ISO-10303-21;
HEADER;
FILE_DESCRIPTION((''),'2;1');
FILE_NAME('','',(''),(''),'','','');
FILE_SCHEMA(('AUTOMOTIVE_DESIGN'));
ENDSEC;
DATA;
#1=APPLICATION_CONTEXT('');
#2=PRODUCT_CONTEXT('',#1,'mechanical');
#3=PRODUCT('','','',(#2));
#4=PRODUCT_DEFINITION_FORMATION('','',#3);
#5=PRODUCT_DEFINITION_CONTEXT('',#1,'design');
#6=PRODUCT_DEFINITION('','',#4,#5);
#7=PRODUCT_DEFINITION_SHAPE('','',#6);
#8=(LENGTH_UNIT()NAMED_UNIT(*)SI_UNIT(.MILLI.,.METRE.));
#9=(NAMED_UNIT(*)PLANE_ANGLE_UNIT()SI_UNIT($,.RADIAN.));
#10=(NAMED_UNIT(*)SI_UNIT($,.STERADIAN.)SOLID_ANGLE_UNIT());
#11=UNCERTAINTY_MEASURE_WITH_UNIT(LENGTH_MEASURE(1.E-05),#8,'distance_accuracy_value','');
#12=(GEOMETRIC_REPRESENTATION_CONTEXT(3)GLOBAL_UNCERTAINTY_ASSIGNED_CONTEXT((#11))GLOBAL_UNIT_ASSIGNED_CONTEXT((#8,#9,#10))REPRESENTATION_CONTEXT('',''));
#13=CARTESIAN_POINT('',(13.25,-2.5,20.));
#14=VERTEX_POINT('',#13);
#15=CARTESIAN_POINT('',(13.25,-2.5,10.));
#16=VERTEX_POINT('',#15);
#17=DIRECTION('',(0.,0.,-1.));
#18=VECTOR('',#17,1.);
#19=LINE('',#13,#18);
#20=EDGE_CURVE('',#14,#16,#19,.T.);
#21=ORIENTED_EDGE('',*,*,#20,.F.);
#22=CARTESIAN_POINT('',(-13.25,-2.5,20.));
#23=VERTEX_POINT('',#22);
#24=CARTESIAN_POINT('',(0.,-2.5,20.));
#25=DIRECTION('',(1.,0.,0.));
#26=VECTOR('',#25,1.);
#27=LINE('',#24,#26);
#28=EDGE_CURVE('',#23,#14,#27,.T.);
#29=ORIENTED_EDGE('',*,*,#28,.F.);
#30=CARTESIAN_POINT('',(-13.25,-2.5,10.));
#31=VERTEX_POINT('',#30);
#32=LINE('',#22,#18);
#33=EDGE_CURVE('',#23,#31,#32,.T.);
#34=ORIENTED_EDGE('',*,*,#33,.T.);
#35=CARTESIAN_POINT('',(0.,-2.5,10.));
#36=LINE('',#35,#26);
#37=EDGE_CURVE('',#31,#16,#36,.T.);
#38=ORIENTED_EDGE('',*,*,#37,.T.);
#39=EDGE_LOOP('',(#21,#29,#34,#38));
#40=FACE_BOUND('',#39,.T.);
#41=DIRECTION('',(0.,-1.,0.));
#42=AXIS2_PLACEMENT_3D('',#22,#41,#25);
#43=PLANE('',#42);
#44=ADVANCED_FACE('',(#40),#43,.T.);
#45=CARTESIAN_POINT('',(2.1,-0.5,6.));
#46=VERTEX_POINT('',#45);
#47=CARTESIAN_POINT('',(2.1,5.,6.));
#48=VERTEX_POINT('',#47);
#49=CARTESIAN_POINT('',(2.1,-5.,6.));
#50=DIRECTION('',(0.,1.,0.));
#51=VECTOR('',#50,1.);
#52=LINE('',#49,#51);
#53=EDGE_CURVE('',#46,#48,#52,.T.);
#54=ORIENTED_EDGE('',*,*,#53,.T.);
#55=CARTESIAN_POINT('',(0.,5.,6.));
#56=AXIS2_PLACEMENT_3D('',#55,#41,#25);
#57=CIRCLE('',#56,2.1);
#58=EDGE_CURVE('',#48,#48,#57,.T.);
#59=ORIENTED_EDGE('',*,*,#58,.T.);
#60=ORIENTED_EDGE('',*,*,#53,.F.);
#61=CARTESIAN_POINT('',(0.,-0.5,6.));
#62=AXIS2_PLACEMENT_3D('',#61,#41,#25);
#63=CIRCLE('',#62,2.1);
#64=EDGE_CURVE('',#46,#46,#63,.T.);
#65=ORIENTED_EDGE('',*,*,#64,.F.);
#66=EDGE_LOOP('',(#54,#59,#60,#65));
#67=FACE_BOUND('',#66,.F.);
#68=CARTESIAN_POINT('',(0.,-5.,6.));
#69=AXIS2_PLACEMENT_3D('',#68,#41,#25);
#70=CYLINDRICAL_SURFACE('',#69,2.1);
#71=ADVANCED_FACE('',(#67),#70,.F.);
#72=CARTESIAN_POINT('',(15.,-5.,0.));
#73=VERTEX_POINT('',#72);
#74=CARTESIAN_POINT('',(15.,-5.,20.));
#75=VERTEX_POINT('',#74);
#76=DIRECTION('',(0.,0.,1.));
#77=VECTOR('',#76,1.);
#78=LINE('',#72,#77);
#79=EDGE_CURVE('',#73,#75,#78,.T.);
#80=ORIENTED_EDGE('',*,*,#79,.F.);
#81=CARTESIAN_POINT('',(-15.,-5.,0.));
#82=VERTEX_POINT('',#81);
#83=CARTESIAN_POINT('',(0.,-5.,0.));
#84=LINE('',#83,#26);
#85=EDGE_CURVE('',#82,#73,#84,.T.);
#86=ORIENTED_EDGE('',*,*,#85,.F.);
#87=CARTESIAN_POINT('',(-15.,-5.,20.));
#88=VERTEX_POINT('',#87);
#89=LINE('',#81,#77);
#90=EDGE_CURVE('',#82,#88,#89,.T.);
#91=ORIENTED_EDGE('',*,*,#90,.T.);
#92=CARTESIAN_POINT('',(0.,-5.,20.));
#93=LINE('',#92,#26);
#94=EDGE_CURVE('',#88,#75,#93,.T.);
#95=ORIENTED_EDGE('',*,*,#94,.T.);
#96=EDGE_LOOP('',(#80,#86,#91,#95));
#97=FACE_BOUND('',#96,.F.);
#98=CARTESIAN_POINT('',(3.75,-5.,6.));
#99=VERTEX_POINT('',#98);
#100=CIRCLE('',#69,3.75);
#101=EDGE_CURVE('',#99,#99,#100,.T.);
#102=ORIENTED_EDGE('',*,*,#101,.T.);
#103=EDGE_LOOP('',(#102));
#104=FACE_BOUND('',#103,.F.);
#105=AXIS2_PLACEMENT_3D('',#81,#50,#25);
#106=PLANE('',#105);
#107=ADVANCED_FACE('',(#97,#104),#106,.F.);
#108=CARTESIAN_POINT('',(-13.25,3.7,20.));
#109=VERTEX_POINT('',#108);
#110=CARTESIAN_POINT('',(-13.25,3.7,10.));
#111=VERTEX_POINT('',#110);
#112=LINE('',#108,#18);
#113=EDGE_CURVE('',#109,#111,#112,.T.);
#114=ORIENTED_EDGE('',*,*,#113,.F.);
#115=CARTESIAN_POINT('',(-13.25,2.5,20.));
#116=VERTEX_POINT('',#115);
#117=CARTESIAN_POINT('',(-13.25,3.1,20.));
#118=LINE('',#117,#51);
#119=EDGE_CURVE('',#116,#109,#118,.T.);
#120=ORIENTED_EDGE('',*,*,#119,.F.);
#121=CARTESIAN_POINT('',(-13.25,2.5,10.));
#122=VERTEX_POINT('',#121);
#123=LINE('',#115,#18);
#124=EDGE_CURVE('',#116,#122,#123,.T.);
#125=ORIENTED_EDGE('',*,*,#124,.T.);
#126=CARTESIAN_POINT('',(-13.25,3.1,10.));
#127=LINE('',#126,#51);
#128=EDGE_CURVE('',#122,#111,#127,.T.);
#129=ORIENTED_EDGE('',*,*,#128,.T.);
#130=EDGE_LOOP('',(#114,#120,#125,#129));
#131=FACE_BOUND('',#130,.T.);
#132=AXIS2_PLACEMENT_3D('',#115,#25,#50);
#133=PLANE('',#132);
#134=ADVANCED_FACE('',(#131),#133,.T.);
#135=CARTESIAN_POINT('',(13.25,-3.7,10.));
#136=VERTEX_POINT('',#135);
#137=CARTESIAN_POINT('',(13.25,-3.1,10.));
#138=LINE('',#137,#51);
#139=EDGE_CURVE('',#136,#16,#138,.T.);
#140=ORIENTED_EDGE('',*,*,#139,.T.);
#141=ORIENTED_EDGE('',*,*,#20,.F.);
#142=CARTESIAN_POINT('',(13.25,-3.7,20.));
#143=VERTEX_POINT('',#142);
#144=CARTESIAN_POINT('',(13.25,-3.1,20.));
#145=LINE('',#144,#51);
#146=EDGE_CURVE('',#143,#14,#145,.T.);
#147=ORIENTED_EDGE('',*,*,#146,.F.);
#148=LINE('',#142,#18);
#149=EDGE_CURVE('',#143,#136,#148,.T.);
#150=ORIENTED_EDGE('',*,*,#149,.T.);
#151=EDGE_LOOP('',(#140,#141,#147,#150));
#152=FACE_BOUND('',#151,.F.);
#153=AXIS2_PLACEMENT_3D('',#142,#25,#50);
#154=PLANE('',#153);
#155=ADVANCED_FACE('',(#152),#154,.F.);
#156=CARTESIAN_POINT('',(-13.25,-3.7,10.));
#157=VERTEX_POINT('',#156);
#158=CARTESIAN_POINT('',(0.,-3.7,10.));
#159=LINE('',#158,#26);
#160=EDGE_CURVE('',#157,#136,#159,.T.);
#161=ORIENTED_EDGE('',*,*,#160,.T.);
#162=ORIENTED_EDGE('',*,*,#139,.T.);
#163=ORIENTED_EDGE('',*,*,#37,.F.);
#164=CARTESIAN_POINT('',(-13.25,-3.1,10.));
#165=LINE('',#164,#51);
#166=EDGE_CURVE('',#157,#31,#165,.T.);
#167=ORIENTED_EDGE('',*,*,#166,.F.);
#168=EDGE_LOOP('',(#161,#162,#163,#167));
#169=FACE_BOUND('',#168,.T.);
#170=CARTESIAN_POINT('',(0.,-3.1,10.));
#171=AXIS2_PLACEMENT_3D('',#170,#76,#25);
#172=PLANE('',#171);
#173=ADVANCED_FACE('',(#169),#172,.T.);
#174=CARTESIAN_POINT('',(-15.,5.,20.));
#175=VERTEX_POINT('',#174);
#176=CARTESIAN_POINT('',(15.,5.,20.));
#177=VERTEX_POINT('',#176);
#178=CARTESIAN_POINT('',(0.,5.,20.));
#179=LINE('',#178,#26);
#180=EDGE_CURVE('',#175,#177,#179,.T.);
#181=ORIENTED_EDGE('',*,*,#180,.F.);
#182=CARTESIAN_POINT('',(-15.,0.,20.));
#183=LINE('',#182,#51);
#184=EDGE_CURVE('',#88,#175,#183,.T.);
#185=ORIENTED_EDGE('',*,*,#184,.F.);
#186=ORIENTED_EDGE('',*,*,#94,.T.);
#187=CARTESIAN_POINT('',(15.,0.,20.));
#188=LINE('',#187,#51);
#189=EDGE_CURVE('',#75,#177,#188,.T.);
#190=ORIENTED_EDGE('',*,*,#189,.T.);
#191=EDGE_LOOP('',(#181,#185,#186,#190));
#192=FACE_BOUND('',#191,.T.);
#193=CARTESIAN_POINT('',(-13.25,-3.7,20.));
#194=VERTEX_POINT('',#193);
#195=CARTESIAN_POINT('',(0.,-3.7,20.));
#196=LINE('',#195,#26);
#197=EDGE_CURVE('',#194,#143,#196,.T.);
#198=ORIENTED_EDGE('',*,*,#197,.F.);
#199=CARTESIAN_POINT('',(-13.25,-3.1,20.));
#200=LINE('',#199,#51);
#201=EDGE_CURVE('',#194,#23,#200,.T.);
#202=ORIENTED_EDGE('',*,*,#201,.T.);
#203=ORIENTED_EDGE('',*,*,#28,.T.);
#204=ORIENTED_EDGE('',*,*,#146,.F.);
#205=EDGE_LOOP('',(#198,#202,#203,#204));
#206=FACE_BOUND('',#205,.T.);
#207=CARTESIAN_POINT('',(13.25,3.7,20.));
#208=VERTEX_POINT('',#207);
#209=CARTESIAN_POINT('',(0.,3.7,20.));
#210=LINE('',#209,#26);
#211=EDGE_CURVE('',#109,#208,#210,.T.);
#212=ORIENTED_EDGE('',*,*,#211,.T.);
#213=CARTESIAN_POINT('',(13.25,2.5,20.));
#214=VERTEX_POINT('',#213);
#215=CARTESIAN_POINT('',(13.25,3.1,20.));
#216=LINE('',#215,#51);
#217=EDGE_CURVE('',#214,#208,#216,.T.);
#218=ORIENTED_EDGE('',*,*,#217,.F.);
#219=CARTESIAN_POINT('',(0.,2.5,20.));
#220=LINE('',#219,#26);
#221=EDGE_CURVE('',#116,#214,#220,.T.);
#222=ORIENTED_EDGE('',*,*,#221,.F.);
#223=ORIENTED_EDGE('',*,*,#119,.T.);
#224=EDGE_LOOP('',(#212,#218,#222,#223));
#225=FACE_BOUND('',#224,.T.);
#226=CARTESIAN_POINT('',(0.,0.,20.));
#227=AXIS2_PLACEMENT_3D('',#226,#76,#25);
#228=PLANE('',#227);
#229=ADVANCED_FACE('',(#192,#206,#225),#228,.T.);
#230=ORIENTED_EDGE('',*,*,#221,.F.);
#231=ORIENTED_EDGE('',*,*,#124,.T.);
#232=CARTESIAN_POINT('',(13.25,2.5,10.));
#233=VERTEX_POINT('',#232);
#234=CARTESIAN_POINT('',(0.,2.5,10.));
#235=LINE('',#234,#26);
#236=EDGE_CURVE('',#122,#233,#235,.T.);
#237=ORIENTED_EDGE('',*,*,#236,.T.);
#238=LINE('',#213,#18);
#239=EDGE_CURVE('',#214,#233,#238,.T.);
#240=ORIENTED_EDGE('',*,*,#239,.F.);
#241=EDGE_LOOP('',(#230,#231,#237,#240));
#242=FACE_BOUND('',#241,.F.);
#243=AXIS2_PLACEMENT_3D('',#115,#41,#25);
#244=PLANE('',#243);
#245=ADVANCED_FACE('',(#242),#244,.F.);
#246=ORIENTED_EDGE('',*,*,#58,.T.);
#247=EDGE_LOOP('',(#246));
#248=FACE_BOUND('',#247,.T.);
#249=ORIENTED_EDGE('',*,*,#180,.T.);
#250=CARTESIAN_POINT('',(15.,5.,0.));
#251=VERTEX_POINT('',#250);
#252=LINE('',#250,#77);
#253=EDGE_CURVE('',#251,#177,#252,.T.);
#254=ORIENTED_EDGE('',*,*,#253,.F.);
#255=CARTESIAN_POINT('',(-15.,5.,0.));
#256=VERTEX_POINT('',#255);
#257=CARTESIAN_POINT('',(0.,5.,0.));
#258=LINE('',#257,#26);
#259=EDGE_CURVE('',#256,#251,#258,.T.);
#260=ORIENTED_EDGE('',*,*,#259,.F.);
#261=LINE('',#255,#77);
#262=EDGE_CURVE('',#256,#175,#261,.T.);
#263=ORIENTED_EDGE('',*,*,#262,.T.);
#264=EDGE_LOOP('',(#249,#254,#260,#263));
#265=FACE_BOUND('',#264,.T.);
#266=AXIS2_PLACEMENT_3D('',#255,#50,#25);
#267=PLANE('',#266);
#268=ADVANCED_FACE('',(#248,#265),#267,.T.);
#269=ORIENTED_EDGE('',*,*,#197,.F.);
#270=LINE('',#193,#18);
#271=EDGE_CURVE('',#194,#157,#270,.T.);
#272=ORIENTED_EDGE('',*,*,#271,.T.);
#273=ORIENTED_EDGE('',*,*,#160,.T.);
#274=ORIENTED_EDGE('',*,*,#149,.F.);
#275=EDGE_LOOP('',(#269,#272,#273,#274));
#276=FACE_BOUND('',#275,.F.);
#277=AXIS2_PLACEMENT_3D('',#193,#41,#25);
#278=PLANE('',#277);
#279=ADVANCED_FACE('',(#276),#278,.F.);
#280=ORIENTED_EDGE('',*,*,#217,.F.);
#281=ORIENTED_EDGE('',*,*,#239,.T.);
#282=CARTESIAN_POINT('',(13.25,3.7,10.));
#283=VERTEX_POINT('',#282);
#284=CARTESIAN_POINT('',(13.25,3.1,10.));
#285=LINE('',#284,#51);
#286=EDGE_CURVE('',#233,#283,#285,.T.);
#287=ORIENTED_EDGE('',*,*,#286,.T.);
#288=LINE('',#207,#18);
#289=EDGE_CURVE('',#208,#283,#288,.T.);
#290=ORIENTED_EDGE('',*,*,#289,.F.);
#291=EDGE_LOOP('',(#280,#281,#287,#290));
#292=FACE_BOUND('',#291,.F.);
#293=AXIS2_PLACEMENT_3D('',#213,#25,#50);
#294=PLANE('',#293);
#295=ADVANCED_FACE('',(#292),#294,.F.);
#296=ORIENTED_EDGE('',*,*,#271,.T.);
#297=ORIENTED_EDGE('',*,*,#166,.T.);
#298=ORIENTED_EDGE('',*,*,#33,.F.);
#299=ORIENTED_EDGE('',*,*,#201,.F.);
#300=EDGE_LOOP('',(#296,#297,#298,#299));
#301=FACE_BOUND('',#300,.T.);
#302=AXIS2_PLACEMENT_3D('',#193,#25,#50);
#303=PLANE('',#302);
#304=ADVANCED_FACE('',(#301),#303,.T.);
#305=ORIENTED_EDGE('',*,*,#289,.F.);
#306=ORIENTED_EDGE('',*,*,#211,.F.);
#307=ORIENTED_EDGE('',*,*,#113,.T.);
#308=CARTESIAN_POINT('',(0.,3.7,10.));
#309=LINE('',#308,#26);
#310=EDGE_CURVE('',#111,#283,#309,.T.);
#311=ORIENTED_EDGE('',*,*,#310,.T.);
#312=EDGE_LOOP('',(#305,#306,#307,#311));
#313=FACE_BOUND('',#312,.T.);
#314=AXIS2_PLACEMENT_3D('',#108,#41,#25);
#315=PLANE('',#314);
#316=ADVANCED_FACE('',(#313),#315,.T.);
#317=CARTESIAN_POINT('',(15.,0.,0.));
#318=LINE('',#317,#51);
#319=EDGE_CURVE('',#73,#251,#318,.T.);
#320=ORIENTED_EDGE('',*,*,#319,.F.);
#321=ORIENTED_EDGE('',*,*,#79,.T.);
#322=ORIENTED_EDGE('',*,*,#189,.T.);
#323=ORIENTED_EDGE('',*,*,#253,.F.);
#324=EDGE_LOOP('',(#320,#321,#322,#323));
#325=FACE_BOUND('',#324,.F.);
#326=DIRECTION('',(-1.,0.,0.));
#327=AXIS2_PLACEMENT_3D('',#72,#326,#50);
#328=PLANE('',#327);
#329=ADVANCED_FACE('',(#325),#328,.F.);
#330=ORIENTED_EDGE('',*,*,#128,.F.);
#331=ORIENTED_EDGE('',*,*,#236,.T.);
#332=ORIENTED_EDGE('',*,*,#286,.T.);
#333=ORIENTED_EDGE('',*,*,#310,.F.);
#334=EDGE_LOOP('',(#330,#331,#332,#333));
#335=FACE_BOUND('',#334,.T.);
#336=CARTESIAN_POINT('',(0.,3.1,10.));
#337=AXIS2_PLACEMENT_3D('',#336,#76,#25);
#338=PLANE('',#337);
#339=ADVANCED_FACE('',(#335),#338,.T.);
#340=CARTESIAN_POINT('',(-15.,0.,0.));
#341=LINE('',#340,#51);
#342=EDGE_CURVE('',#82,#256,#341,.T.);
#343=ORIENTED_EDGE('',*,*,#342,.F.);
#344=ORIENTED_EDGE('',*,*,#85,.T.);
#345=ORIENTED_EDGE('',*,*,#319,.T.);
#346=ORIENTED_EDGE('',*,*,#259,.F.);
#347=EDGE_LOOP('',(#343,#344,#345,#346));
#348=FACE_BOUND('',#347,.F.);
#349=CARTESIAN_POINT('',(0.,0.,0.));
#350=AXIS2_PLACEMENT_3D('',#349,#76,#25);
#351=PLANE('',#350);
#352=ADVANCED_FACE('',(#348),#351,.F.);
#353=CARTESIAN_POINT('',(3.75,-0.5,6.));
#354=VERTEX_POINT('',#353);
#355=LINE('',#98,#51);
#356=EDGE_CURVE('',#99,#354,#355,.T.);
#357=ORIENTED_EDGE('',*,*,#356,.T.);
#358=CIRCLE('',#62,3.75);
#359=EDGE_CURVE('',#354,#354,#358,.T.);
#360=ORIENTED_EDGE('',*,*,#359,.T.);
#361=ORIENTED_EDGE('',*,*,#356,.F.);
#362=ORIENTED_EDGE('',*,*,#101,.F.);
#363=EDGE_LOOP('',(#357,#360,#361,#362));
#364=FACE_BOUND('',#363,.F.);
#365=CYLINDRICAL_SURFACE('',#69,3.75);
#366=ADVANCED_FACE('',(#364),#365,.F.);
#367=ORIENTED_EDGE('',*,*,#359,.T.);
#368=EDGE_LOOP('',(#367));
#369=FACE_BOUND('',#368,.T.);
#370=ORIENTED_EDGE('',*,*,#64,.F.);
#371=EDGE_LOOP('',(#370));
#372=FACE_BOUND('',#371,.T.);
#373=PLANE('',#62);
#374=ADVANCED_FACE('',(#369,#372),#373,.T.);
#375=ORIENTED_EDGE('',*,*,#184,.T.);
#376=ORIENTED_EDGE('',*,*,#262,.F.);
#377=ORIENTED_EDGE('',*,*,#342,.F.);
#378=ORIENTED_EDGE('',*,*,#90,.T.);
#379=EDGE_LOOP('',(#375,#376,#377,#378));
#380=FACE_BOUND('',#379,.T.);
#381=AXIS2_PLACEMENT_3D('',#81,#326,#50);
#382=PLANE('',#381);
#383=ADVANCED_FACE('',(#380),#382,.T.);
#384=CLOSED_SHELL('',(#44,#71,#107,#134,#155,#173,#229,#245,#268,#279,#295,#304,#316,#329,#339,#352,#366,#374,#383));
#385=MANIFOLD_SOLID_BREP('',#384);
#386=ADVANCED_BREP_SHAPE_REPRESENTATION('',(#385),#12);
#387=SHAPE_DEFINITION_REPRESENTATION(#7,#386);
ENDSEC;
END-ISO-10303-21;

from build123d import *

# Parameters (mm, degrees)
F0_W     = 30
F0_H     = 10
F1_DEPTH = 20
F2_R     = 2.1
F3_DEPTH = 10
F4_W     = 26.5
F4_H     = 1.2
F5_DEPTH = 10
F6_R     = 3.75
F7_DEPTH = 4.5


with BuildPart() as f1:
    # F0 (on Top) → F1 (new body)
    with BuildSketch(Plane.XY):
        Rectangle(F0_W, F0_H)
    extrude(amount=F1_DEPTH)

    # F2 (on face) → F3 (cut, through all)
    with BuildSketch(Plane.XZ.offset(5)):
        with Locations((0, 6)):
            Circle(F2_R)
    extrude(amount=-F3_DEPTH, mode=Mode.SUBTRACT)

    # F4 (on face) → F5 (cut)
    with BuildSketch(Plane.XY.offset(20)):
        with Locations((0, 3.1)):
            Rectangle(F4_W, F4_H)
        with Locations((0, -3.1)):
            Rectangle(F4_W, F4_H)
    extrude(amount=-F5_DEPTH, mode=Mode.SUBTRACT)

    # F6 (on face) → F7 (cut)
    with BuildSketch(Plane.XZ.offset(5)):
        with Locations((0, 6)):
            Circle(F6_R)
    extrude(amount=-F7_DEPTH, mode=Mode.SUBTRACT)


solid = f1.part
